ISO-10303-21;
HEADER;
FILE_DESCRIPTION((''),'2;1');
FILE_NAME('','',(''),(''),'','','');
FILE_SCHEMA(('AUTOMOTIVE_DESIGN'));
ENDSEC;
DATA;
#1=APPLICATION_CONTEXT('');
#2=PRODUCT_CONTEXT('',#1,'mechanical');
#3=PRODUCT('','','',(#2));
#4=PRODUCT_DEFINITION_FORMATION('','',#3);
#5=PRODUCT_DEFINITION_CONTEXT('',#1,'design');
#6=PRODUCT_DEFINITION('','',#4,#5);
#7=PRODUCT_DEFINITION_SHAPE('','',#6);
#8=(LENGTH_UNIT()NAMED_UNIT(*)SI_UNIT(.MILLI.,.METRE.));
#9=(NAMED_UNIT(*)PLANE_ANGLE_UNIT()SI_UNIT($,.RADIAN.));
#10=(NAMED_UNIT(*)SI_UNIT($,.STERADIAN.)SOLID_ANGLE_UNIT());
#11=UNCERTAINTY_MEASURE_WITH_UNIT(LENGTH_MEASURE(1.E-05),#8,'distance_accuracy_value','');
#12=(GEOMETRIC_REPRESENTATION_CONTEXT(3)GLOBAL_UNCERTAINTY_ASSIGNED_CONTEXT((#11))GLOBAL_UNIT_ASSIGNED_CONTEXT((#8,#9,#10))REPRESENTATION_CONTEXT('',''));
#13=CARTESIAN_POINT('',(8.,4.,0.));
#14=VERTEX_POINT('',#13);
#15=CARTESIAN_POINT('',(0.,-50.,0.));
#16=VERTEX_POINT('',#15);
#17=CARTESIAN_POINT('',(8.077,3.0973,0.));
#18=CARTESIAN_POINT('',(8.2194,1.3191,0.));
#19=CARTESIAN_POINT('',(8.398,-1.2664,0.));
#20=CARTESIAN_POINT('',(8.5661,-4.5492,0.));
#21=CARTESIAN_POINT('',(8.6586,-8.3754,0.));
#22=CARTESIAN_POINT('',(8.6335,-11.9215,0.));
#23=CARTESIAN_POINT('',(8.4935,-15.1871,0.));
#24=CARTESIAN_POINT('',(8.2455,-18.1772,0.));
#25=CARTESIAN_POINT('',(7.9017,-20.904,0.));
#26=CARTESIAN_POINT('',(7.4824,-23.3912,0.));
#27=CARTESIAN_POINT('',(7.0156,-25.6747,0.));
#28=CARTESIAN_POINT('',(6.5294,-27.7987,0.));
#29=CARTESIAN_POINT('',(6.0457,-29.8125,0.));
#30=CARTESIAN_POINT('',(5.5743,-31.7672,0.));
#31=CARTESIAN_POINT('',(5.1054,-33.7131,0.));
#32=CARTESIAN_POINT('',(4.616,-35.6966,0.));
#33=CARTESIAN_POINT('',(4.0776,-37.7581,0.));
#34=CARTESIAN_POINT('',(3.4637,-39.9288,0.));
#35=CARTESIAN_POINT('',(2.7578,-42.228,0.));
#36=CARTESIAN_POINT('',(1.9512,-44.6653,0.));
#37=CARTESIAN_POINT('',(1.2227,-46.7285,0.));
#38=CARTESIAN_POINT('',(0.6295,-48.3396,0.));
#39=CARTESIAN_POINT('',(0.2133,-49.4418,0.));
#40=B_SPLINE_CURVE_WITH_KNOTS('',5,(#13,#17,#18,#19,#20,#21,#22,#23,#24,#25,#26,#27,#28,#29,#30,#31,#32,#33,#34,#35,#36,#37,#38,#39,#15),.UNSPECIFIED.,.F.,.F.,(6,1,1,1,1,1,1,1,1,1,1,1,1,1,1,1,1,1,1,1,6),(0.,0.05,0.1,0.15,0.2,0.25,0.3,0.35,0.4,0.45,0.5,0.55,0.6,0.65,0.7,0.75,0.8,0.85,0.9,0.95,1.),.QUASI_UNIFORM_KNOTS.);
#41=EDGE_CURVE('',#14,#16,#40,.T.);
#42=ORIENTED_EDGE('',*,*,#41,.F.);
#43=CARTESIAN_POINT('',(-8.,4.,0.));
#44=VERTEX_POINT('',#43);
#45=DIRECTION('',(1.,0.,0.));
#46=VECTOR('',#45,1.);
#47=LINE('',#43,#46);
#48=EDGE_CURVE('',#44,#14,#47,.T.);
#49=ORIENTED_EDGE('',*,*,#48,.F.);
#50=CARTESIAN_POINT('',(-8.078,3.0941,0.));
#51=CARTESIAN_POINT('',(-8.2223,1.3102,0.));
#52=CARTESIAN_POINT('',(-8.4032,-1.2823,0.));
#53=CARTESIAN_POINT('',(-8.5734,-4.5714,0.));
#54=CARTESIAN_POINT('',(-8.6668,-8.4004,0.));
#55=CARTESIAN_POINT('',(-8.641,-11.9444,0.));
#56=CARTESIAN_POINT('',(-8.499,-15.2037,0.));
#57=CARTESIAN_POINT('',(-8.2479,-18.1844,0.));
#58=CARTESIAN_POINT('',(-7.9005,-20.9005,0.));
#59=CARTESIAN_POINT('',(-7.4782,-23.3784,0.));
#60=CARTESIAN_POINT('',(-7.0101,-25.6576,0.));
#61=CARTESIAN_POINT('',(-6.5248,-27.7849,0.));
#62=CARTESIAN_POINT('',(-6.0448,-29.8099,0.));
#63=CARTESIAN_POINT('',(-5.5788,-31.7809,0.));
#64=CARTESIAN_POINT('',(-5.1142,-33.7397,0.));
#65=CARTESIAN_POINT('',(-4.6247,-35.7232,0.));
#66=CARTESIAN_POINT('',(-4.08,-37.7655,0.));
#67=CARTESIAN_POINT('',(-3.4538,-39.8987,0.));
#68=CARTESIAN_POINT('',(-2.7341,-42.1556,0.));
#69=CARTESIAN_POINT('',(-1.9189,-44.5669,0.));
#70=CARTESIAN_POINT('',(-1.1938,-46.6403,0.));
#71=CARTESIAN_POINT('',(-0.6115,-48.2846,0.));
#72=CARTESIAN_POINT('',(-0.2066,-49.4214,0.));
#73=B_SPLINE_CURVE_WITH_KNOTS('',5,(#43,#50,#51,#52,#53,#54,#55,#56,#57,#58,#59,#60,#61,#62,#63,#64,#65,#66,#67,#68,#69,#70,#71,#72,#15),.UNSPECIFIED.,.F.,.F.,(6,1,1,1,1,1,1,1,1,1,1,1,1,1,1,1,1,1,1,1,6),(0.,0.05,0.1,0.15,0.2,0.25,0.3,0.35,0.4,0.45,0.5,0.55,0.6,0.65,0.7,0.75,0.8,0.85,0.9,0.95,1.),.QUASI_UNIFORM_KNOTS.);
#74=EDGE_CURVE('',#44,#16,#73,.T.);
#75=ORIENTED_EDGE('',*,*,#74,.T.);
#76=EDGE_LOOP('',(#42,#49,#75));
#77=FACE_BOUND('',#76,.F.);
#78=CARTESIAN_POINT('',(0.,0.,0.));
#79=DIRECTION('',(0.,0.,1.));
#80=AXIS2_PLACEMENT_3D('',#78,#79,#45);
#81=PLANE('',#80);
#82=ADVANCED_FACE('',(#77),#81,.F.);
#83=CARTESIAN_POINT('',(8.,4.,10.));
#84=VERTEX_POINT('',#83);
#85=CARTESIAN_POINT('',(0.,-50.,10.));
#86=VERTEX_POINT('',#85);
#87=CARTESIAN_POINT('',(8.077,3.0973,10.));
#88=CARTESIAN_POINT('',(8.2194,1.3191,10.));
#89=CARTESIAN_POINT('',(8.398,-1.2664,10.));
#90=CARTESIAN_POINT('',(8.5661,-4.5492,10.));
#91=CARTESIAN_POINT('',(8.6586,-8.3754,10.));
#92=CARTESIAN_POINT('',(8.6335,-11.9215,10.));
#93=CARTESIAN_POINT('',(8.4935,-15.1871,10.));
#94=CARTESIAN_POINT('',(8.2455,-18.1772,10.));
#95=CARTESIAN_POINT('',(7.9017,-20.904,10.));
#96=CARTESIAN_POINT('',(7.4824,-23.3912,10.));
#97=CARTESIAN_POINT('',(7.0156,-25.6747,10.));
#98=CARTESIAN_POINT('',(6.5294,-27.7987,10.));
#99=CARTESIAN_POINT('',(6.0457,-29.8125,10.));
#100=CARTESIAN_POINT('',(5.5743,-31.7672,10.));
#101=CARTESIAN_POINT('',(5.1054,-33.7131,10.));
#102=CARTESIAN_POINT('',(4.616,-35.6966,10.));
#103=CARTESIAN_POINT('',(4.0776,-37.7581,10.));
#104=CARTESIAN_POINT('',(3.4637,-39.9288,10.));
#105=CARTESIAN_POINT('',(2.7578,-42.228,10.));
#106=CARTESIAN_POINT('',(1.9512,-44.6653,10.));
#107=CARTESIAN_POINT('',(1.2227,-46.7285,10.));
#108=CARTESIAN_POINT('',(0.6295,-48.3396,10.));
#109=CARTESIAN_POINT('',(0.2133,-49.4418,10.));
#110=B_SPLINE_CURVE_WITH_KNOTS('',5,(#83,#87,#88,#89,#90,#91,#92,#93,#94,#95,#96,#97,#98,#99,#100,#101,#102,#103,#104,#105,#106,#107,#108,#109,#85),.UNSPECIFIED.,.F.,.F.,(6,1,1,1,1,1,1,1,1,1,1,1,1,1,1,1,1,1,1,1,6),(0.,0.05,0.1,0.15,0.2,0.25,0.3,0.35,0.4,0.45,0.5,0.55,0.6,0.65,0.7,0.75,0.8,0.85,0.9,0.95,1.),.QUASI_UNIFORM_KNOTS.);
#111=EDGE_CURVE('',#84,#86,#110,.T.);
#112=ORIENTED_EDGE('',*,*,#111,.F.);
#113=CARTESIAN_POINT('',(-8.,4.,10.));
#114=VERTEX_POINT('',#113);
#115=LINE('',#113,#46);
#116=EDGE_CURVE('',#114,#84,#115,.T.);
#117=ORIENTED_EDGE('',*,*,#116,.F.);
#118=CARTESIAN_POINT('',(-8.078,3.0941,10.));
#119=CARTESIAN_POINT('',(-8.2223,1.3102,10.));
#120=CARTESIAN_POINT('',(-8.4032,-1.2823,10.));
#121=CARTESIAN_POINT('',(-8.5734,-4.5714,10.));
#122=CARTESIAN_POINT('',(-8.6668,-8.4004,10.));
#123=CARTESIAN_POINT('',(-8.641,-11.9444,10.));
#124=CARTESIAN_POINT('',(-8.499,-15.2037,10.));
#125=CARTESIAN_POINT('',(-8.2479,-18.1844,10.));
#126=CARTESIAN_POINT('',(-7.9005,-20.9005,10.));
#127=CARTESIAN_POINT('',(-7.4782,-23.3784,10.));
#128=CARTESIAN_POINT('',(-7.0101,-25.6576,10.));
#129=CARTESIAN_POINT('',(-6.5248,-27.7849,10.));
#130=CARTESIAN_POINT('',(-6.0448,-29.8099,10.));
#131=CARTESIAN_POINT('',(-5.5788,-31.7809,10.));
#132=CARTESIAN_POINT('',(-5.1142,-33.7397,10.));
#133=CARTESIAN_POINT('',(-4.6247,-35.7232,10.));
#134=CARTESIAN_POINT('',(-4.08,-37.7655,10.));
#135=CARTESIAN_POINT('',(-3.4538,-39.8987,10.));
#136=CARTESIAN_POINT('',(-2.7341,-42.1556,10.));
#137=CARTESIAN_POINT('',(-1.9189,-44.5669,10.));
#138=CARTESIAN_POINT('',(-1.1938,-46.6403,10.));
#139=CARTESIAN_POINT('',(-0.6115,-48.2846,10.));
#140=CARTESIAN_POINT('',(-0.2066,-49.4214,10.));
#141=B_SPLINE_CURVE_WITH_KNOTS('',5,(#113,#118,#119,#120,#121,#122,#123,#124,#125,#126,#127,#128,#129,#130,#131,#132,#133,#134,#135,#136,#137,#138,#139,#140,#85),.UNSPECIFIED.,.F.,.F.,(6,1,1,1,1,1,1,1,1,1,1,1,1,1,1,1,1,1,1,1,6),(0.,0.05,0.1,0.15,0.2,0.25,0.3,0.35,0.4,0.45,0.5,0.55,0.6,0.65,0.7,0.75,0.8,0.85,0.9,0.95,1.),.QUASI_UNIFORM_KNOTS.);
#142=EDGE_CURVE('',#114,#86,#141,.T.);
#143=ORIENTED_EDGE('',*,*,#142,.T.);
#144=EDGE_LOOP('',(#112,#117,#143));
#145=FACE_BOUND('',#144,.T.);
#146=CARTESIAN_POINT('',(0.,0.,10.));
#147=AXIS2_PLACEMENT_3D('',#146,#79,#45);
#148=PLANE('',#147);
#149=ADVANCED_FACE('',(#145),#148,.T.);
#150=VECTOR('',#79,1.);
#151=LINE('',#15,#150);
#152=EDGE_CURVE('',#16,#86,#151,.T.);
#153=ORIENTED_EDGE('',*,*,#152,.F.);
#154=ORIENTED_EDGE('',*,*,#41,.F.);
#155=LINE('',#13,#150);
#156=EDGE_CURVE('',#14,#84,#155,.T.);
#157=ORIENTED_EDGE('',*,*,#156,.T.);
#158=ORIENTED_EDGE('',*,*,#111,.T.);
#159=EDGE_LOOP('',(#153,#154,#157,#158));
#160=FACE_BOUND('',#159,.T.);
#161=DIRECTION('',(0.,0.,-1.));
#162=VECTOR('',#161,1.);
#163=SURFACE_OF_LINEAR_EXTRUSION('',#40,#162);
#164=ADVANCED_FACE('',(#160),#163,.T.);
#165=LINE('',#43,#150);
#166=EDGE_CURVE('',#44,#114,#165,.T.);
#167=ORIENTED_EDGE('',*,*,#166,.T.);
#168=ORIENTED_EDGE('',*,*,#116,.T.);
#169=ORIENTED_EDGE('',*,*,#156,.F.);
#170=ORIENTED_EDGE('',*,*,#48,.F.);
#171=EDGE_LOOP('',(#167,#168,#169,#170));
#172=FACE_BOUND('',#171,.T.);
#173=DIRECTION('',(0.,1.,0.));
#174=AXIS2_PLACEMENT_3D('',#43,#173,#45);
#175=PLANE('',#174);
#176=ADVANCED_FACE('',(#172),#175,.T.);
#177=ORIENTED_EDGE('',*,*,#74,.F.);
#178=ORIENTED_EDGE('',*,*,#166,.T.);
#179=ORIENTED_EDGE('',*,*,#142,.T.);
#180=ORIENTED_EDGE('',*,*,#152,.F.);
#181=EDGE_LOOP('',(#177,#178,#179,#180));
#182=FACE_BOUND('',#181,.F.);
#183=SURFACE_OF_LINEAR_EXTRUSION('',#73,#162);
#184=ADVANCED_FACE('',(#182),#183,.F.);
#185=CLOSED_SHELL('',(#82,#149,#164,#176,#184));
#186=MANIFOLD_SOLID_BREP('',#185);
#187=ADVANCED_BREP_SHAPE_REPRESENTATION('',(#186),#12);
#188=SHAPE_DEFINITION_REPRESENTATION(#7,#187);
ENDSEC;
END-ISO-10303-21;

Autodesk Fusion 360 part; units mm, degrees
sketch "Sketch1" plane through (0, 0, 0) normal (0, 0, 1) x (1, 0, 0)
  line L0 (-8, 4) -> (8, 4)
  line L1 (0, 0) -> (0, -50)
  spline S0 degree 5 poles (-8, 4) (-8.078, 3.0941) (-8.2223, 1.3102) (-8.4032, -1.2823) (-8.5734, -4.5714) (-8.6668, -8.4004) (-8.641, -11.9444) (-8.499, -15.2037) (-8.2479, -18.1844) (-7.9005, -20.9005) (-7.4782, -23.3784) (-7.0101, -25.6576) (-6.5248, -27.7849) (-6.0448, -29.8099) (-5.5788, -31.7809) (-5.1142, -33.7397) (-4.6247, -35.7232) (-4.08, -37.7655) (-3.4538, -39.8987) (-2.7341, -42.1556) (-1.9189, -44.5669) (-1.1938, -46.6403) (-0.6115, -48.2846) (-0.2066, -49.4214) (0, -50) knots 0 0 0 0 0 0 0.05 0.1 0.15 0.2 0.25 0.3 0.35 0.4 0.45 0.5 0.55 0.6 0.65 0.7 0.75 0.8 0.85 0.9 0.95 1 1 1 1 1 1
  line L2 (-2.1148, -44.0778) -> (2.1148, -55.9222)
  spline S1 degree 5 poles (8, 4) (8.077, 3.0973) (8.2194, 1.3191) (8.398, -1.2664) (8.5661, -4.5492) (8.6586, -8.3754) (8.6335, -11.9215) (8.4935, -15.1871) (8.2455, -18.1772) (7.9017, -20.904) (7.4824, -23.3912) (7.0156, -25.6747) (6.5294, -27.7987) (6.0457, -29.8125) (5.5743, -31.7672) (5.1054, -33.7131) (4.616, -35.6966) (4.0776, -37.7581) (3.4637, -39.9288) (2.7578, -42.228) (1.9512, -44.6653) (1.2227, -46.7285) (0.6295, -48.3396) (0.2133, -49.4418) (0, -50) knots 0 0 0 0 0 0 0.05 0.1 0.15 0.2 0.25 0.3 0.35 0.4 0.45 0.5 0.55 0.6 0.65 0.7 0.75 0.8 0.85 0.9 0.95 1 1 1 1 1 1
  point P0 (-8, -20)
  point P1 (-6, -30)
  point P2 (-4, -38)
  point P3 (8, -20)
  point P4 (6, -30)
  point P5 (4, -38)
extrude "Extrude1" add sketch "Sketch1" along normal blind 10
sketch "Sketch2" plane through (0, 0, 0) normal (1, 0, 0) x (0, 1, 0)
  spline S0 degree 5 poles (-50, 10) (-49.3398, 9.7186) (-48.0239, 9.1545) (-46.064, 8.3051) (-43.4786, 7.1656) (-40.2935, 5.7365) (-37.1529, 4.3245) (-34.0513, 2.9728) (-30.977, 1.7569) (-27.9107, 0.7858) (-24.8147, 0.1554) (-21.6312, -0.0775) (-18.2603, 0.0419) (-14.5851, 0.3786) (-10.5539, 0.8681) (-6.1391, 1.4606) (-2.2969, 1.9994) (0.7577, 2.4355) (2.8704, 2.7405) (3.9458, 2.8965) knots 0 0 0 0 0 0 0.066667 0.133333 0.2 0.266667 0.333333 0.4 0.466667 0.533333 0.6 0.666667 0.733333 0.8 0.866667 0.933333 1 1 1 1 1 1
  line L0 (-25.9237, 0.0072) -> (-16, 0)
  line L1 (-50, 10) -> (-50, 0)
  line L2 (-50, 0) -> (-20.9618, 0.0036)
  curve L3
  curve L4
  curve E0
  line L5 (4.0542, 17.1035) -> (3.9458, 2.8965) construction
  curve L6 construction
  curve L7
  point P0 (-34.781, 3.309)
  point P1 (-20.9618, 0.0036)
  point P2 (4, 10)
  point P3 (4, 10)
